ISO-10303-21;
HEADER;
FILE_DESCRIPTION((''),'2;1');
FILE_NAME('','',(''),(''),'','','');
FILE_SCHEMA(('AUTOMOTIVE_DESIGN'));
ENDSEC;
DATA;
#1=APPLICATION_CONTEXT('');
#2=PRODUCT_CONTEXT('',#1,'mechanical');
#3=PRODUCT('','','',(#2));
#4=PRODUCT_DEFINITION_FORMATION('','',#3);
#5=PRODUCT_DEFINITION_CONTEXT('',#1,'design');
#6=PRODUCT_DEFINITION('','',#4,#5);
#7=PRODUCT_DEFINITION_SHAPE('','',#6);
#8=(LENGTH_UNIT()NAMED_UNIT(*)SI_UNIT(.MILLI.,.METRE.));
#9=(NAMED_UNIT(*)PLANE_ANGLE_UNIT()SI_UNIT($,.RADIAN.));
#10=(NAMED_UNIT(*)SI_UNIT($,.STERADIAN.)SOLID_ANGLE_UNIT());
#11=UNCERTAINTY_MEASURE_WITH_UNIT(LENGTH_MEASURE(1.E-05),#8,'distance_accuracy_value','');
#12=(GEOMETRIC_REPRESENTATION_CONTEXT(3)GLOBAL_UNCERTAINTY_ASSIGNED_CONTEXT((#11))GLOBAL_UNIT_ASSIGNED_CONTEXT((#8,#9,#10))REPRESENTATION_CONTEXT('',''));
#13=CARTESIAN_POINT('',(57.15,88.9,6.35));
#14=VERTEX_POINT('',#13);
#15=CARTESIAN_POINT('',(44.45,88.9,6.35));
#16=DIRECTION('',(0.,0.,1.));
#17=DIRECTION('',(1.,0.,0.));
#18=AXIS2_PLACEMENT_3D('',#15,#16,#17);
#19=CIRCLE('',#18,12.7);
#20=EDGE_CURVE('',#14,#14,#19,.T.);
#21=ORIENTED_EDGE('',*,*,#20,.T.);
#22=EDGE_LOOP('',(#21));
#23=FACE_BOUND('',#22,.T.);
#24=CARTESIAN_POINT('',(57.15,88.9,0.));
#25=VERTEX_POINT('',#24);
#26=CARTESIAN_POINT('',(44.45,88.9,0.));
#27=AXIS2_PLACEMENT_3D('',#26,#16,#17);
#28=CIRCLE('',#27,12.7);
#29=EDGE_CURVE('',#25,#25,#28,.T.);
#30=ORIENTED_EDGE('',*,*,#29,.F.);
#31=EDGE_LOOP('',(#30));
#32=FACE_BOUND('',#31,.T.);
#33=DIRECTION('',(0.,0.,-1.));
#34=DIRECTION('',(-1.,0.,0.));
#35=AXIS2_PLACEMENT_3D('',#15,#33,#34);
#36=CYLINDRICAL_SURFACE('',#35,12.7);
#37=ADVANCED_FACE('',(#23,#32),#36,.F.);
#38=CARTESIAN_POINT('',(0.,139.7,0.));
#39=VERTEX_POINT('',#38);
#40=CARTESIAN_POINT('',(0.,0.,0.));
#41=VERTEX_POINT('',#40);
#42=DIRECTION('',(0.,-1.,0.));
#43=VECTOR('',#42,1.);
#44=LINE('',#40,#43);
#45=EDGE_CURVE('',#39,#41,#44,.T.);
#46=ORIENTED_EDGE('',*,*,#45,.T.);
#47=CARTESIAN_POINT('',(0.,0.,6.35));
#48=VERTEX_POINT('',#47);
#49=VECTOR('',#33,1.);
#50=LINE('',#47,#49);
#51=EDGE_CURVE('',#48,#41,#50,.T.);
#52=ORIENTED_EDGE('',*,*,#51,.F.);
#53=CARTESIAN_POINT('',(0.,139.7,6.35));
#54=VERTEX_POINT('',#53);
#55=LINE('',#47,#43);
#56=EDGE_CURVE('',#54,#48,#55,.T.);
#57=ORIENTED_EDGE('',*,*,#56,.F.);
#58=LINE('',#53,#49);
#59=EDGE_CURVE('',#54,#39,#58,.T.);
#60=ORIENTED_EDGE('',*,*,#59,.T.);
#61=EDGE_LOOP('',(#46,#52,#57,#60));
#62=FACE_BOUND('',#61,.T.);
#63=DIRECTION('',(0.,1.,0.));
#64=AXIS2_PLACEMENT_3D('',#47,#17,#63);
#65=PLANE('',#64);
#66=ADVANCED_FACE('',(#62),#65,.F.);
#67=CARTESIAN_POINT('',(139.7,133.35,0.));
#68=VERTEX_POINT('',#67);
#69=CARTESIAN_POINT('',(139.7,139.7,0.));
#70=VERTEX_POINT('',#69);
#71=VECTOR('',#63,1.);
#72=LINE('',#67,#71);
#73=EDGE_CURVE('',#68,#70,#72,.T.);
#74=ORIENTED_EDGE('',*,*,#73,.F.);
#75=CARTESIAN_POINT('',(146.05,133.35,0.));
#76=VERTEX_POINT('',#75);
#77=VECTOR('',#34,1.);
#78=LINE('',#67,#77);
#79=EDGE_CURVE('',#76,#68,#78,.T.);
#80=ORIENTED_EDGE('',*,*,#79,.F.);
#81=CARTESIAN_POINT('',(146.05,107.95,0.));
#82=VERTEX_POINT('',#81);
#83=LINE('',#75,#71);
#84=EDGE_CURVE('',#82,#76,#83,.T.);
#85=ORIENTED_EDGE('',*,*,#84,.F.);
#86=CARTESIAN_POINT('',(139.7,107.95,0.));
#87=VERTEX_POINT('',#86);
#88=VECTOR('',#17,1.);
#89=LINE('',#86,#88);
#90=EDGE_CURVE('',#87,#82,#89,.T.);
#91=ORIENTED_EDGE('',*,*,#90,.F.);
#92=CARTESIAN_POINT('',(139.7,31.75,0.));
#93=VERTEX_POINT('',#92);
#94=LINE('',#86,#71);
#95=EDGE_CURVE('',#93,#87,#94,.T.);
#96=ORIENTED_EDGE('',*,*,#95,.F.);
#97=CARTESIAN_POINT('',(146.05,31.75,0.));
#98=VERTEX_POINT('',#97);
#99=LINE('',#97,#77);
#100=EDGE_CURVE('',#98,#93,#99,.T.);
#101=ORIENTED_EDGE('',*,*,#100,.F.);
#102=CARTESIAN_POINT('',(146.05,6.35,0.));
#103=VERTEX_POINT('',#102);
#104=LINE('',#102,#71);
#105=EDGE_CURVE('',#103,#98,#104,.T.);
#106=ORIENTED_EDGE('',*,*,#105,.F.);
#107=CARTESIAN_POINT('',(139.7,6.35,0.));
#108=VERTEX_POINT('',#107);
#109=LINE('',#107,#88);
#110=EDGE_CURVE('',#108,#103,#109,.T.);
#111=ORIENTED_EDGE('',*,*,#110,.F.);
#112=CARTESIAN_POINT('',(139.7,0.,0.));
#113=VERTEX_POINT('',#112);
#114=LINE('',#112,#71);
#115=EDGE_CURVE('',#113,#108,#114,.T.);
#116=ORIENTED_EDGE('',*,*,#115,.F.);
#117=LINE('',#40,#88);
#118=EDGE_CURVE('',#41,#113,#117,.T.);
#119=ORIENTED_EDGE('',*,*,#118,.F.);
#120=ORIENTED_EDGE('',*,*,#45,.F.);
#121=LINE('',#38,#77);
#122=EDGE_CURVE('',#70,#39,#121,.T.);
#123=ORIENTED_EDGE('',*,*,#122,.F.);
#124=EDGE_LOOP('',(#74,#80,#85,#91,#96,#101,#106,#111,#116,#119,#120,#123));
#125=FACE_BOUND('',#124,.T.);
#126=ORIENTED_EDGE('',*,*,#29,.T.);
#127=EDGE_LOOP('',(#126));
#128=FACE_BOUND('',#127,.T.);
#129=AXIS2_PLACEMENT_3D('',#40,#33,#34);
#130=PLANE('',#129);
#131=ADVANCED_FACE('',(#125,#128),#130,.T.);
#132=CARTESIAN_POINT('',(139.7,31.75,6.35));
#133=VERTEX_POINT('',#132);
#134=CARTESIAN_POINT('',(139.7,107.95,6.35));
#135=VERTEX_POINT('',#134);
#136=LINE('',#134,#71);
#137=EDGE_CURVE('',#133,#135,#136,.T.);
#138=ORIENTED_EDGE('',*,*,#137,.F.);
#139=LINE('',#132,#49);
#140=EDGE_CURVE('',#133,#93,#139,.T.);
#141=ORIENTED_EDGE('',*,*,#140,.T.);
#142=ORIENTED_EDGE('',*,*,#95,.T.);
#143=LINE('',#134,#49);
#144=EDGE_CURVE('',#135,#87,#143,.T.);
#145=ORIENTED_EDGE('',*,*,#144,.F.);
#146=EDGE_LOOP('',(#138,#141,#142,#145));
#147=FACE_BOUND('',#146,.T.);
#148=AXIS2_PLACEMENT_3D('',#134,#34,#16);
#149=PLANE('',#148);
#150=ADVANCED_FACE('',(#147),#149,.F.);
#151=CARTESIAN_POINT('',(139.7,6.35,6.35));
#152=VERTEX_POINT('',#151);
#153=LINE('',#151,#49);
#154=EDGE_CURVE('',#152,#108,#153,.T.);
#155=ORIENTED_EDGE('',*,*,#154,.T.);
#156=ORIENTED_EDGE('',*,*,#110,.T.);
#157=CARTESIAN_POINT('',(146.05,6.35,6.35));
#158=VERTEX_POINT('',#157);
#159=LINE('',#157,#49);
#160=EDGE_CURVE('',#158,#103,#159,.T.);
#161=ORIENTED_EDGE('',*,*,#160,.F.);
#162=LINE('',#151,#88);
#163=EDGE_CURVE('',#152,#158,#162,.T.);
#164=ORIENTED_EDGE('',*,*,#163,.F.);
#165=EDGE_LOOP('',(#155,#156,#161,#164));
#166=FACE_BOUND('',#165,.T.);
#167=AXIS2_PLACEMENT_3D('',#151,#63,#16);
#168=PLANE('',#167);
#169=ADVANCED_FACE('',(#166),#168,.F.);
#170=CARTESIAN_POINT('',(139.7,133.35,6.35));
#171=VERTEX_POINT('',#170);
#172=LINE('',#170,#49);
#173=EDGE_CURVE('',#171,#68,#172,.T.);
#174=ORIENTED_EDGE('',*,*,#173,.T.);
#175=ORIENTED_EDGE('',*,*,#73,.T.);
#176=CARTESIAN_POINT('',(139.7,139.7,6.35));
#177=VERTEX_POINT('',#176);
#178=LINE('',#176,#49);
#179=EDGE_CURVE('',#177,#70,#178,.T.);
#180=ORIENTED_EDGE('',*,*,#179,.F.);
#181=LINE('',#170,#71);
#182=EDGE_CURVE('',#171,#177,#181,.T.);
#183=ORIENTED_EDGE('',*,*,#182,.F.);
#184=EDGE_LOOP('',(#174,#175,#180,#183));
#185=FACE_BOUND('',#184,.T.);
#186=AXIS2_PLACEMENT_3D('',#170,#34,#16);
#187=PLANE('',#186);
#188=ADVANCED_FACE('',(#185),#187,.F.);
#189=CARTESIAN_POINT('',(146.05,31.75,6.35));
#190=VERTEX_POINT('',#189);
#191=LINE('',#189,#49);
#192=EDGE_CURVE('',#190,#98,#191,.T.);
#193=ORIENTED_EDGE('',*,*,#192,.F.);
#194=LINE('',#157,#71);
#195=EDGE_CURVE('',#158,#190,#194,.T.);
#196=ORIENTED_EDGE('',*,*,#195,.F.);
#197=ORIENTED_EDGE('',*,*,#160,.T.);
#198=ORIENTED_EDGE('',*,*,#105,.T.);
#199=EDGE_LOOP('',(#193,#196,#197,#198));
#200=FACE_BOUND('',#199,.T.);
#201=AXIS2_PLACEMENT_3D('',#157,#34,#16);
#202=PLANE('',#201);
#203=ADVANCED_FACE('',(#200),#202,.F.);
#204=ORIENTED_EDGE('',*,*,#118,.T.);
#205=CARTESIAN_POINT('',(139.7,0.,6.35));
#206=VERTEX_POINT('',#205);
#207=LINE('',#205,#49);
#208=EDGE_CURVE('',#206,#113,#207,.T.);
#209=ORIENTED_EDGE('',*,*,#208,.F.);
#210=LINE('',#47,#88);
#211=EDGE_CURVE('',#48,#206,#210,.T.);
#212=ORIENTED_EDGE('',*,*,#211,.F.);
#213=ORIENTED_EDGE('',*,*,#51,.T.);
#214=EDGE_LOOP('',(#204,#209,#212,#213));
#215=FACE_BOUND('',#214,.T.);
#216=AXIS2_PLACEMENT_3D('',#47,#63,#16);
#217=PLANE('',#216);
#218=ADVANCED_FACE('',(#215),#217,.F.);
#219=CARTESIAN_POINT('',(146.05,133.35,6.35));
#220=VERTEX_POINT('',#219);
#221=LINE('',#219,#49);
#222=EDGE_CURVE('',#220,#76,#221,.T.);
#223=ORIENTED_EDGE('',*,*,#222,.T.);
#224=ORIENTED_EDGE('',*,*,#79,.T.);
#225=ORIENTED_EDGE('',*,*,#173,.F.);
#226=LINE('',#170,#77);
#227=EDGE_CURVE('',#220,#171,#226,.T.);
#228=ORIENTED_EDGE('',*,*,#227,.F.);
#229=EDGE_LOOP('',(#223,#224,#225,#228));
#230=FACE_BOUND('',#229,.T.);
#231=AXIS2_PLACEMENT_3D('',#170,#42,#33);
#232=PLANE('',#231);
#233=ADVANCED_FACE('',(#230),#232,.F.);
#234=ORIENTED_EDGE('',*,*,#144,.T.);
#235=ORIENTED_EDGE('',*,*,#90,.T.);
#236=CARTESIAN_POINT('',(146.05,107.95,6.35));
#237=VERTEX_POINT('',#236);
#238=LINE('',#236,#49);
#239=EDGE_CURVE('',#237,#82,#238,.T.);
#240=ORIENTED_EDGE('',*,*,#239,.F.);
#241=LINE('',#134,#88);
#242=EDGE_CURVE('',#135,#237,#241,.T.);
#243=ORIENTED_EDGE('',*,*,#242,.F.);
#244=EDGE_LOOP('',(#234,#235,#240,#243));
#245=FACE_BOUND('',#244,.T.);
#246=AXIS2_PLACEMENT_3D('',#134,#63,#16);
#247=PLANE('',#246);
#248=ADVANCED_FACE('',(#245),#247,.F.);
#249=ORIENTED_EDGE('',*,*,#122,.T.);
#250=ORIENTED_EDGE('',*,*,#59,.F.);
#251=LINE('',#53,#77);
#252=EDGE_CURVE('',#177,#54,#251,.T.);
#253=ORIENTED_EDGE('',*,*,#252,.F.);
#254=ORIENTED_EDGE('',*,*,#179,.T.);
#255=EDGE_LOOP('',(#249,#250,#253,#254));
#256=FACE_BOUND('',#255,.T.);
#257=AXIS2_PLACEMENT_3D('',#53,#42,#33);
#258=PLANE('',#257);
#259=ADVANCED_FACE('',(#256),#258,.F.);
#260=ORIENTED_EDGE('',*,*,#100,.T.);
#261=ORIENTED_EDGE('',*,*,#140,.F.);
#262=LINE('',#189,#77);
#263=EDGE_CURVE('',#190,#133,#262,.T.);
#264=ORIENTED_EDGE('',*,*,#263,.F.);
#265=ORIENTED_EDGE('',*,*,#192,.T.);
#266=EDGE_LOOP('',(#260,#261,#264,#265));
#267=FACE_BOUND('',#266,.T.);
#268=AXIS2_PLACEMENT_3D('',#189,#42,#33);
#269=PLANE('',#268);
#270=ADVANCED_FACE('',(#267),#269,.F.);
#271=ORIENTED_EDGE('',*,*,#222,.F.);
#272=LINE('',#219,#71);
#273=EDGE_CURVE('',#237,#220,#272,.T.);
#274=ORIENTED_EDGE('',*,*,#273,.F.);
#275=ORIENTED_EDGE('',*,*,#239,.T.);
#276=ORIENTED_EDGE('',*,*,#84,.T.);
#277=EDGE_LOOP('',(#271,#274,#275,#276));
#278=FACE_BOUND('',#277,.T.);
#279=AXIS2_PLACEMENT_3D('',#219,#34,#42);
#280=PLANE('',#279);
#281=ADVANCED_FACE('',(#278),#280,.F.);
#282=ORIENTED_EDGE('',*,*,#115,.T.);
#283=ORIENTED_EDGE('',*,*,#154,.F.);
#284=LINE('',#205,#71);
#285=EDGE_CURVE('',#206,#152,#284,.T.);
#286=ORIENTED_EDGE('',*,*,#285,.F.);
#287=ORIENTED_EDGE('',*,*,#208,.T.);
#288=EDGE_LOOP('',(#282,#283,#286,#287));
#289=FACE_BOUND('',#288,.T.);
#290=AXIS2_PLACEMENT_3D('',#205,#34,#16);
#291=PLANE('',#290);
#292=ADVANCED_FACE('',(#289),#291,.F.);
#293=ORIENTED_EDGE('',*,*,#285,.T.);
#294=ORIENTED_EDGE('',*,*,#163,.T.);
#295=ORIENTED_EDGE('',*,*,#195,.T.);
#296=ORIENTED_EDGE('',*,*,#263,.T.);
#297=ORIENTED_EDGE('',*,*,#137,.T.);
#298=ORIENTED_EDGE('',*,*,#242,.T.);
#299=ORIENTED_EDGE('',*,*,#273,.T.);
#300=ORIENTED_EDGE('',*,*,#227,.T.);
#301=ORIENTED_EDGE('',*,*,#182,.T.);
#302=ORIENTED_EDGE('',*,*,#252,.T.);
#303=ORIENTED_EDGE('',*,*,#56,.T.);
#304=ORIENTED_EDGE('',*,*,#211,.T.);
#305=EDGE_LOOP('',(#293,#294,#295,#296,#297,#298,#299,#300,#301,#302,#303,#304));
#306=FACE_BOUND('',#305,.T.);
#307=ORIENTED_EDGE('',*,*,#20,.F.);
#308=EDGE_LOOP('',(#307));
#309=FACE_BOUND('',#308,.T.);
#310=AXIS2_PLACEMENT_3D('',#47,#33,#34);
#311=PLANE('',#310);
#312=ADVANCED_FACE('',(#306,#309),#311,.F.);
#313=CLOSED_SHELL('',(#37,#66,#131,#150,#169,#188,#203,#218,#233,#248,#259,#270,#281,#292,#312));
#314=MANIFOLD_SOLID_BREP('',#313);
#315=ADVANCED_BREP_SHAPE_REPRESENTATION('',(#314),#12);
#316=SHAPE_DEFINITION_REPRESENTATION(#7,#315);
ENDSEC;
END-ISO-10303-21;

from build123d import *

# Parameters (mm, degrees)
SKETCH1_R           = 12.7
BOSS_EXTRUDE1_DEPTH = 6.35


with BuildPart() as part:
    # Sketch1 → Boss-Extrude1 (new body)
    with BuildSketch(Plane.XY):
        Polygon((139.7, 133.35), (146.05, 133.35), (146.05, 107.95), (139.7, 107.95), (139.7, 31.75), (146.05, 31.75), (146.05, 6.35), (139.7, 6.35), (139.7, 0), (0, 0), (0, 139.7), (139.7, 139.7), align=None)
        with Locations((44.45, 88.9)):
            Circle(SKETCH1_R, mode=Mode.SUBTRACT)
    extrude(amount=BOSS_EXTRUDE1_DEPTH)


solid = part.part
